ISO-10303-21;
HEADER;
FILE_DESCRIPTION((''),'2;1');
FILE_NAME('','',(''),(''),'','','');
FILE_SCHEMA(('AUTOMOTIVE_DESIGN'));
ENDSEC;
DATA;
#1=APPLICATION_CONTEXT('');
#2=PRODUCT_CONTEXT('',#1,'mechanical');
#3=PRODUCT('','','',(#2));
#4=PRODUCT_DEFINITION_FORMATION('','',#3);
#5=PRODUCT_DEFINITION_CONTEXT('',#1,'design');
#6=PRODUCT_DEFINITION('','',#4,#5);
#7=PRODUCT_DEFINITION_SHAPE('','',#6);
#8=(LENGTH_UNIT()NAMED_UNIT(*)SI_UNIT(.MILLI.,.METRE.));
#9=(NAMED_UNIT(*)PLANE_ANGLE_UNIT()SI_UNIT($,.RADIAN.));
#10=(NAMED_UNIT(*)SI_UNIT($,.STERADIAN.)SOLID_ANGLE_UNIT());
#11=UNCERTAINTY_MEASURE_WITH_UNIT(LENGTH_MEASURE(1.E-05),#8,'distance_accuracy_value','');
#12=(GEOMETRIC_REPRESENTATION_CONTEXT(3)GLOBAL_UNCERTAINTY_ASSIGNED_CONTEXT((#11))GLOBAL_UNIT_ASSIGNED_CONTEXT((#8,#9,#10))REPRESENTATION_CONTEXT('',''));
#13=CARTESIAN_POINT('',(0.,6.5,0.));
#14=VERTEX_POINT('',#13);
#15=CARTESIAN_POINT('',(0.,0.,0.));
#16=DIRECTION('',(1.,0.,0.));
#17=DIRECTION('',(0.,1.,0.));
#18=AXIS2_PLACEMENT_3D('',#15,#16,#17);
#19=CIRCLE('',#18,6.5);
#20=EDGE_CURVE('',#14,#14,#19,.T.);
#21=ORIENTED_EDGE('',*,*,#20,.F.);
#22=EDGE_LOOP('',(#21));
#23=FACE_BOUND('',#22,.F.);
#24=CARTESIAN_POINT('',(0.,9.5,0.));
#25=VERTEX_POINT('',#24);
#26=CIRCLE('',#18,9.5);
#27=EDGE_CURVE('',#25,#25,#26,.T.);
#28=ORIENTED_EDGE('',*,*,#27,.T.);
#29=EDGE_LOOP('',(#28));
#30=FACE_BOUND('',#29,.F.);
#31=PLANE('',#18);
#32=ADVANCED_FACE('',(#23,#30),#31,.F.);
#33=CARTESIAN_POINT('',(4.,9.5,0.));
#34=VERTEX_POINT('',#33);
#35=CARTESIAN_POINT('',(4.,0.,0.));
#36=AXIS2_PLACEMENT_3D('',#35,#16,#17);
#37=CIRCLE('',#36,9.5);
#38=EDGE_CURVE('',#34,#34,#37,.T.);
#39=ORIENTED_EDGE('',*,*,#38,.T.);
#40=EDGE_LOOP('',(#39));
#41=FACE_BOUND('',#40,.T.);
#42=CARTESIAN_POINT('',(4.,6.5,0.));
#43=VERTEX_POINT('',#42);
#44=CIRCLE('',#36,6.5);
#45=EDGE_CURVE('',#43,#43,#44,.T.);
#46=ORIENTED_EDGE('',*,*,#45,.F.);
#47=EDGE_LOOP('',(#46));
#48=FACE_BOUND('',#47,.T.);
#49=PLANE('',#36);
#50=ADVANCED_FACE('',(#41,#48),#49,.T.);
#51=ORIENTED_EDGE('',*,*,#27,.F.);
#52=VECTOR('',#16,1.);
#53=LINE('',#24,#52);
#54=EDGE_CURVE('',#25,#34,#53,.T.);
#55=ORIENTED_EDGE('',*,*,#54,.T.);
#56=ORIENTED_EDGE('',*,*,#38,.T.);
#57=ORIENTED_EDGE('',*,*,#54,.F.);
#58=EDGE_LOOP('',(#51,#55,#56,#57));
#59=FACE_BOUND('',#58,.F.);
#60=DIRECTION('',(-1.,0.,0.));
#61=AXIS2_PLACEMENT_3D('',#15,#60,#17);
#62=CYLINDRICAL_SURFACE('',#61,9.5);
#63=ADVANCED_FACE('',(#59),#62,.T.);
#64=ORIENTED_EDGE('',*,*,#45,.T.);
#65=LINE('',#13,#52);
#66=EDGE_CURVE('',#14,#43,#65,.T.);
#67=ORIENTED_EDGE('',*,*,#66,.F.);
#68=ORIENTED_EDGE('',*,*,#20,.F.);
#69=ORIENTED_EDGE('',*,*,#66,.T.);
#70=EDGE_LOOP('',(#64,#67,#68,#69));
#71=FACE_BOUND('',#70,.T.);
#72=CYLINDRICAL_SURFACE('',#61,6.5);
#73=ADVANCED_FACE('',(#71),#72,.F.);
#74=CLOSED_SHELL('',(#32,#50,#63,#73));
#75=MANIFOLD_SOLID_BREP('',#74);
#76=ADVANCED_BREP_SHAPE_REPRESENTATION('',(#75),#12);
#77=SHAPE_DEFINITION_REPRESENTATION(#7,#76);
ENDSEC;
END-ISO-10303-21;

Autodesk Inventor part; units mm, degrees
ref_plane "YZ Plane" through (0, 0, 0) normal (1, 0, 0) x (0, 1, 0)
ref_plane "XZ Plane" through (0, 0, 0) normal (0, 1, 0) x (-1, 0, 0)
ref_plane "XY Plane" through (0, 0, 0) normal (0, 0, 1) x (1, 0, 0)
sketch "Sketch1" plane through (0, 0, 0) normal (1, 0, 0) x (0, 1, 0)
  circle A0 centre (0, 0) radius 6.5
  circle A1 centre (0, 0) radius 9.5
  dimension "d0" = 13
  dimension "d1" = 19
extrude "Extrusion1" add sketch "Sketch1" along normal blind 4
properties part number "BB 13x19x4" material "Stainless Steel"
